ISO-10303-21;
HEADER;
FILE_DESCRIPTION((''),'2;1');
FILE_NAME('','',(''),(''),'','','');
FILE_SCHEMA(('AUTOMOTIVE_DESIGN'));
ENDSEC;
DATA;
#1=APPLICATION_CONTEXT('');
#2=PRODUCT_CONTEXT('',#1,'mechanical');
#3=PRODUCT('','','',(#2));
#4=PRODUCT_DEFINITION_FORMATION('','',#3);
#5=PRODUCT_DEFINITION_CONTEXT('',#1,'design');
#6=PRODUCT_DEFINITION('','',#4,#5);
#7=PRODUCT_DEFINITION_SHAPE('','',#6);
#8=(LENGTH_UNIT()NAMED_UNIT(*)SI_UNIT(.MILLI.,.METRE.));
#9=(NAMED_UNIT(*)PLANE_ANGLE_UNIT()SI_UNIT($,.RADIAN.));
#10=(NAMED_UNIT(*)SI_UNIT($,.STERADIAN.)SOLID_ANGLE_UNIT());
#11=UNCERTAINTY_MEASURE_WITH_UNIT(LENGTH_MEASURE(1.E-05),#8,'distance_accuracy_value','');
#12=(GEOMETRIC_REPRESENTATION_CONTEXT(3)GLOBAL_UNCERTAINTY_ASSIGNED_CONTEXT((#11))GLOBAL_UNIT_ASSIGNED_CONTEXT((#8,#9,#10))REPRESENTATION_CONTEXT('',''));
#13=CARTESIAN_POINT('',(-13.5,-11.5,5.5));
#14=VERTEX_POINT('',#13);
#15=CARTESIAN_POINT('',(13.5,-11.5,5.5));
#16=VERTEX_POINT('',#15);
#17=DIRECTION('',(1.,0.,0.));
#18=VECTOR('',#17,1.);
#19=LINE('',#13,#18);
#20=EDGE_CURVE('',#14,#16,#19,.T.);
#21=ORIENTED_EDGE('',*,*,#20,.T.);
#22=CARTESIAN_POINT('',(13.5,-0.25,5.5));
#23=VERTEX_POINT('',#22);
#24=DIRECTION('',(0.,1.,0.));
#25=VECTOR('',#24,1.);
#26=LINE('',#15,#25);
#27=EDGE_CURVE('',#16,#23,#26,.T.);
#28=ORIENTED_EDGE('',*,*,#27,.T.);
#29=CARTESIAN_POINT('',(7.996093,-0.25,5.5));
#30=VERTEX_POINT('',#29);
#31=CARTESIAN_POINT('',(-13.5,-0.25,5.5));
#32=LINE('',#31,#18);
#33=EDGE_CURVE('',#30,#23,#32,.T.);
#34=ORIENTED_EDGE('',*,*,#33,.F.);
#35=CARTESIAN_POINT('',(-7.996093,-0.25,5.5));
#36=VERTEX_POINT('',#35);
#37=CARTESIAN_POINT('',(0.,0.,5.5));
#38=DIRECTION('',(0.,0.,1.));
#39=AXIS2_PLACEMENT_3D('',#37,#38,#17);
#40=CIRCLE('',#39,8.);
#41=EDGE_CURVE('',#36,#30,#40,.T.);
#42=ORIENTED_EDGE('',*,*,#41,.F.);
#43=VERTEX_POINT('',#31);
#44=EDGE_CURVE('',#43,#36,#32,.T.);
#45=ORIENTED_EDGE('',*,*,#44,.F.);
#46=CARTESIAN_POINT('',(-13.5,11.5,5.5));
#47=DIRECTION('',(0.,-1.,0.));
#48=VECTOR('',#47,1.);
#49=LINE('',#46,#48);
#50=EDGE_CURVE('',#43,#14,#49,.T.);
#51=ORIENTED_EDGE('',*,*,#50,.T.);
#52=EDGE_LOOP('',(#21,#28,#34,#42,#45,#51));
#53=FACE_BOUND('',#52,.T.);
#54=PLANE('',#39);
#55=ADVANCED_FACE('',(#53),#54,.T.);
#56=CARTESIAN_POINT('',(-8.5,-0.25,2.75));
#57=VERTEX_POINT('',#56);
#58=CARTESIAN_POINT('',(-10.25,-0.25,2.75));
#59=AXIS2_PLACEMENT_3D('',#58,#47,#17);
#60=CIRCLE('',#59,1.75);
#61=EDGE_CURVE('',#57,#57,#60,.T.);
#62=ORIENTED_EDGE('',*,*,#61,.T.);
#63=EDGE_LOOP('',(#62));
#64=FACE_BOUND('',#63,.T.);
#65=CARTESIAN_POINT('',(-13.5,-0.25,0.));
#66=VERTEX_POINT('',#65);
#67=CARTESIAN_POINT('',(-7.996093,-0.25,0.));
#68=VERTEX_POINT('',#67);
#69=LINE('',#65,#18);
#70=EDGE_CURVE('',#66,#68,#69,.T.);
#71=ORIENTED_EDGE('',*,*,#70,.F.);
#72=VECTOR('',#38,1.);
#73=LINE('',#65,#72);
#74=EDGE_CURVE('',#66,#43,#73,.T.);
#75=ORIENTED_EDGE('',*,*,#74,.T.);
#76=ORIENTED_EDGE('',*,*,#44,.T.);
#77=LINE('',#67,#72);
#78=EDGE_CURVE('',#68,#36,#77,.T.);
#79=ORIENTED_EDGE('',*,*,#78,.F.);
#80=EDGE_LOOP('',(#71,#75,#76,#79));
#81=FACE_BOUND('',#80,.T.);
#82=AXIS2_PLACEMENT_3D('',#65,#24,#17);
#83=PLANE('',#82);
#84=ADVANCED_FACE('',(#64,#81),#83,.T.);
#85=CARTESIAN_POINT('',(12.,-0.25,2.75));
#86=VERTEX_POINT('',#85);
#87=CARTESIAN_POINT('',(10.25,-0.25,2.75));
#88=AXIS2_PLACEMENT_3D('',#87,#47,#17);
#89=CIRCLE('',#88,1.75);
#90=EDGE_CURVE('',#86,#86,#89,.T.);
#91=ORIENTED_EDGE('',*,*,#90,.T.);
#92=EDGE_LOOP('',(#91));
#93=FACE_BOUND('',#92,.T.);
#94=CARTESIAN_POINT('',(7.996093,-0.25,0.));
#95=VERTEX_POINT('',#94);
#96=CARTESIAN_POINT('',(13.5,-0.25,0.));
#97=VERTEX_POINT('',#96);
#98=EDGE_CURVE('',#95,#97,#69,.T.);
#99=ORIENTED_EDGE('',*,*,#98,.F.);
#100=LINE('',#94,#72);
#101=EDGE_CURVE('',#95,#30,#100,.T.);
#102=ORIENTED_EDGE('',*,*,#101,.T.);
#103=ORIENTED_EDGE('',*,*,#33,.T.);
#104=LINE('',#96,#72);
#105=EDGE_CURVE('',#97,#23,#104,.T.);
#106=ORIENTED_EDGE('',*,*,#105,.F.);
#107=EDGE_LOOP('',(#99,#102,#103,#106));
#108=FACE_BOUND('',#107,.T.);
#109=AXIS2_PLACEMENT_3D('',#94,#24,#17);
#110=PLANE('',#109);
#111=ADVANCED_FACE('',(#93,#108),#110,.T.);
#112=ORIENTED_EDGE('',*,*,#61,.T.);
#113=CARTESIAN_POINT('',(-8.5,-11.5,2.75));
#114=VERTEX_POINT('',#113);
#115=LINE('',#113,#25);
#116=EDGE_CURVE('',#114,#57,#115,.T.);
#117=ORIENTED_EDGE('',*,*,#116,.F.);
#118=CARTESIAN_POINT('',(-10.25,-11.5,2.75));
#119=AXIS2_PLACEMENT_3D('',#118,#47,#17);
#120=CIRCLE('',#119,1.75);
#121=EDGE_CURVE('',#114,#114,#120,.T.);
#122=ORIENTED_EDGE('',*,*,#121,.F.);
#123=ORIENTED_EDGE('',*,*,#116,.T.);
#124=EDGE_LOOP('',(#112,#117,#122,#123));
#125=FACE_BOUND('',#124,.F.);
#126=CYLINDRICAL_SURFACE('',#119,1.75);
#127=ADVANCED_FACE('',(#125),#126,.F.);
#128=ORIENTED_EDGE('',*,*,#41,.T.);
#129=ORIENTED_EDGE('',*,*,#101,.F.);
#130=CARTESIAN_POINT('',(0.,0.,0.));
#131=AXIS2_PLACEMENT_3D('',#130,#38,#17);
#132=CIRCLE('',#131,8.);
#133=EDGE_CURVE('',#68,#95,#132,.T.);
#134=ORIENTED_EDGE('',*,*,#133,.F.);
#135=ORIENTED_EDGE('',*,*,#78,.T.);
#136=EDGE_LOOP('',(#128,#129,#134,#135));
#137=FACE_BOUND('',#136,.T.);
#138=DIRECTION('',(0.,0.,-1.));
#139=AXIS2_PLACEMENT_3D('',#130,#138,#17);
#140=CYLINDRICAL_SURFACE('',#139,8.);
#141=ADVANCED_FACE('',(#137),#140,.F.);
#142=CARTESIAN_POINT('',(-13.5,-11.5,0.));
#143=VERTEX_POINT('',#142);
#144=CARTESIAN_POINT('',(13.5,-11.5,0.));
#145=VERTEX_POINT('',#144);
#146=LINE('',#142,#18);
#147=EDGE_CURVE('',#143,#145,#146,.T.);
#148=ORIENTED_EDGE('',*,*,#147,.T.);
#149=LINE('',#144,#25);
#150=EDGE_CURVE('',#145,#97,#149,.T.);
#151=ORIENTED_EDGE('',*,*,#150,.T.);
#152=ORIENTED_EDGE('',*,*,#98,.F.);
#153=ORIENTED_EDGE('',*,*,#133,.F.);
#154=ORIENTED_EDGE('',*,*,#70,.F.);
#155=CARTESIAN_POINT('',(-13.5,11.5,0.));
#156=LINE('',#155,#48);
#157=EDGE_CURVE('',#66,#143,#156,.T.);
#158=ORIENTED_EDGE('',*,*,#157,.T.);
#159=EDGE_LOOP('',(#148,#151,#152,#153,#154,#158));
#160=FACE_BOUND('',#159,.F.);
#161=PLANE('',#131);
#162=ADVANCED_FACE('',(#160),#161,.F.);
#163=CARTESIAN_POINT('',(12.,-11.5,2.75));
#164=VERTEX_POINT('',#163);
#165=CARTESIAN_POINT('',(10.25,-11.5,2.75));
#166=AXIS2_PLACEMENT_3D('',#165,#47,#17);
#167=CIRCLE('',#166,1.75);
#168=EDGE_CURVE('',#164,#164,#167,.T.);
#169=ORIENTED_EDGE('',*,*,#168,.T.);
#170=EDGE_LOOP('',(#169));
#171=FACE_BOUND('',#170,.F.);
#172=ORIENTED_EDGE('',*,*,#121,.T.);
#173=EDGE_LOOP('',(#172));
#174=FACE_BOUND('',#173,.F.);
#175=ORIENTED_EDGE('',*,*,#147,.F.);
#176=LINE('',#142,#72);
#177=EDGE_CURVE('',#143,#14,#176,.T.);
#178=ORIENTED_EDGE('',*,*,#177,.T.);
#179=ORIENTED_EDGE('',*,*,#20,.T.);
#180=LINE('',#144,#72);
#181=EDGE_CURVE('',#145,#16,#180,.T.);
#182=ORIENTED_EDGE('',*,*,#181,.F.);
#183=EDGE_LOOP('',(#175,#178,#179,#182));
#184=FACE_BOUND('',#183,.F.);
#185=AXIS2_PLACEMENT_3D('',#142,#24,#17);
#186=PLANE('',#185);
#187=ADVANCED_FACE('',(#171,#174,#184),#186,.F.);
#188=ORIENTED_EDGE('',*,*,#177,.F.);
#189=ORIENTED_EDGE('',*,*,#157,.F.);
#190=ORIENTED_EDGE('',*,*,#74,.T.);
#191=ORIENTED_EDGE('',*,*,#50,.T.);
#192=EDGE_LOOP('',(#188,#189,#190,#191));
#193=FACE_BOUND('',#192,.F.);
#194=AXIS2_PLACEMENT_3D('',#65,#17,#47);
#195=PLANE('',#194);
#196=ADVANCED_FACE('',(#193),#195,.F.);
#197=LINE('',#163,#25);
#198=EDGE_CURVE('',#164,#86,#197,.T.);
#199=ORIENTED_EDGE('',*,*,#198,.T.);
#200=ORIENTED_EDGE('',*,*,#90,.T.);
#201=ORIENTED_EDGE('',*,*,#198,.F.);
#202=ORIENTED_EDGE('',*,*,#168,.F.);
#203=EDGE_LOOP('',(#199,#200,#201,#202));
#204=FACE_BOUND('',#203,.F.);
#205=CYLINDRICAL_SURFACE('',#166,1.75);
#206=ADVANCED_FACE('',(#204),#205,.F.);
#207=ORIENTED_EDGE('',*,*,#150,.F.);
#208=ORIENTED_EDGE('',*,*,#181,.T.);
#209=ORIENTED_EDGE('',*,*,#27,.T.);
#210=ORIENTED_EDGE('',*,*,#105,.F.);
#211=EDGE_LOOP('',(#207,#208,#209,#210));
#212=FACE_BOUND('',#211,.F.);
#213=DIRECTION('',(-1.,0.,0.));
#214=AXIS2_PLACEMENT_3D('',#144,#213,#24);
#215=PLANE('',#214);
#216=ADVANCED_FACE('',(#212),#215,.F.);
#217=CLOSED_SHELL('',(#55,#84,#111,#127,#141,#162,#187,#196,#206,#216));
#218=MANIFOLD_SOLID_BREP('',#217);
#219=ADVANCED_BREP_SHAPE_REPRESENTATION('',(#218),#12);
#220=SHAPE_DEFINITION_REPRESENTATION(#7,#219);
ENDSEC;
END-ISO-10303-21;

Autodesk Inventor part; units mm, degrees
ref_plane "YZ Plane" through (0, 0, 0) normal (1, 0, 0) x (0, 1, 0)
ref_plane "XZ Plane" through (0, 0, 0) normal (0, 1, 0) x (-1, 0, 0)
ref_plane "XY Plane" through (0, 0, 0) normal (0, 0, 1) x (1, 0, 0)
sketch "Sketch1" plane through (0, 0, 0) normal (0, 0, 1) x (1, 0, 0)
  circle A0 centre (0, 0) radius 8
  line L0 (-13.5, -11.5) -> (13.5, -11.5)
  line L1 (13.5, -11.5) -> (13.5, 11.5)
  line L2 (13.5, 11.5) -> (-13.5, 11.5)
  line L3 (-13.5, 11.5) -> (-13.5, -11.5)
  line L4 (-13.5, -11.5) -> (13.5, 11.5) construction
  line L5 (13.5, -11.5) -> (-13.5, 11.5) construction
  line L6 (-13.5, -0.25) -> (13.5, -0.25)
  point P0 (7.9961, -0.25)
  point P1 (-7.9961, -0.25)
  dimension "d0" = 16
  dimension "d1" = 27
  dimension "d2" = 23
  dimension "d3" = 11.25
extrude "Extrusion1" add sketch "Sketch1" along normal blind 5.5 contours A0 L6 L1 L0 L3
sketch "Sketch2" plane through (-13.5, -11.5, 0) normal (0, -1, 0) x (1, 0, 0)
  line L0 (0, 0) -> (0, 5.5) projected
  line L1 (0, 2.75) -> (27, 2.75) construction
  line L2 (27, 0) -> (27, 5.5) projected
  circle A0 centre (23.75, 2.75) radius 1.75
  circle A1 centre (3.25, 2.75) radius 1.75
  point P0 (13.5, 0)
  point P1 (13.5, 2.75)
  dimension "d6" = 3.5
  dimension "d7" = 3.5
  dimension "d8" = 10.25
  dimension "d9" = 10.25
extrude "Extrusion2" cut sketch "Sketch2" against normal through all
properties part number "16mm_Tube_Connecotor_Holybro" material "ABS Plastic"
